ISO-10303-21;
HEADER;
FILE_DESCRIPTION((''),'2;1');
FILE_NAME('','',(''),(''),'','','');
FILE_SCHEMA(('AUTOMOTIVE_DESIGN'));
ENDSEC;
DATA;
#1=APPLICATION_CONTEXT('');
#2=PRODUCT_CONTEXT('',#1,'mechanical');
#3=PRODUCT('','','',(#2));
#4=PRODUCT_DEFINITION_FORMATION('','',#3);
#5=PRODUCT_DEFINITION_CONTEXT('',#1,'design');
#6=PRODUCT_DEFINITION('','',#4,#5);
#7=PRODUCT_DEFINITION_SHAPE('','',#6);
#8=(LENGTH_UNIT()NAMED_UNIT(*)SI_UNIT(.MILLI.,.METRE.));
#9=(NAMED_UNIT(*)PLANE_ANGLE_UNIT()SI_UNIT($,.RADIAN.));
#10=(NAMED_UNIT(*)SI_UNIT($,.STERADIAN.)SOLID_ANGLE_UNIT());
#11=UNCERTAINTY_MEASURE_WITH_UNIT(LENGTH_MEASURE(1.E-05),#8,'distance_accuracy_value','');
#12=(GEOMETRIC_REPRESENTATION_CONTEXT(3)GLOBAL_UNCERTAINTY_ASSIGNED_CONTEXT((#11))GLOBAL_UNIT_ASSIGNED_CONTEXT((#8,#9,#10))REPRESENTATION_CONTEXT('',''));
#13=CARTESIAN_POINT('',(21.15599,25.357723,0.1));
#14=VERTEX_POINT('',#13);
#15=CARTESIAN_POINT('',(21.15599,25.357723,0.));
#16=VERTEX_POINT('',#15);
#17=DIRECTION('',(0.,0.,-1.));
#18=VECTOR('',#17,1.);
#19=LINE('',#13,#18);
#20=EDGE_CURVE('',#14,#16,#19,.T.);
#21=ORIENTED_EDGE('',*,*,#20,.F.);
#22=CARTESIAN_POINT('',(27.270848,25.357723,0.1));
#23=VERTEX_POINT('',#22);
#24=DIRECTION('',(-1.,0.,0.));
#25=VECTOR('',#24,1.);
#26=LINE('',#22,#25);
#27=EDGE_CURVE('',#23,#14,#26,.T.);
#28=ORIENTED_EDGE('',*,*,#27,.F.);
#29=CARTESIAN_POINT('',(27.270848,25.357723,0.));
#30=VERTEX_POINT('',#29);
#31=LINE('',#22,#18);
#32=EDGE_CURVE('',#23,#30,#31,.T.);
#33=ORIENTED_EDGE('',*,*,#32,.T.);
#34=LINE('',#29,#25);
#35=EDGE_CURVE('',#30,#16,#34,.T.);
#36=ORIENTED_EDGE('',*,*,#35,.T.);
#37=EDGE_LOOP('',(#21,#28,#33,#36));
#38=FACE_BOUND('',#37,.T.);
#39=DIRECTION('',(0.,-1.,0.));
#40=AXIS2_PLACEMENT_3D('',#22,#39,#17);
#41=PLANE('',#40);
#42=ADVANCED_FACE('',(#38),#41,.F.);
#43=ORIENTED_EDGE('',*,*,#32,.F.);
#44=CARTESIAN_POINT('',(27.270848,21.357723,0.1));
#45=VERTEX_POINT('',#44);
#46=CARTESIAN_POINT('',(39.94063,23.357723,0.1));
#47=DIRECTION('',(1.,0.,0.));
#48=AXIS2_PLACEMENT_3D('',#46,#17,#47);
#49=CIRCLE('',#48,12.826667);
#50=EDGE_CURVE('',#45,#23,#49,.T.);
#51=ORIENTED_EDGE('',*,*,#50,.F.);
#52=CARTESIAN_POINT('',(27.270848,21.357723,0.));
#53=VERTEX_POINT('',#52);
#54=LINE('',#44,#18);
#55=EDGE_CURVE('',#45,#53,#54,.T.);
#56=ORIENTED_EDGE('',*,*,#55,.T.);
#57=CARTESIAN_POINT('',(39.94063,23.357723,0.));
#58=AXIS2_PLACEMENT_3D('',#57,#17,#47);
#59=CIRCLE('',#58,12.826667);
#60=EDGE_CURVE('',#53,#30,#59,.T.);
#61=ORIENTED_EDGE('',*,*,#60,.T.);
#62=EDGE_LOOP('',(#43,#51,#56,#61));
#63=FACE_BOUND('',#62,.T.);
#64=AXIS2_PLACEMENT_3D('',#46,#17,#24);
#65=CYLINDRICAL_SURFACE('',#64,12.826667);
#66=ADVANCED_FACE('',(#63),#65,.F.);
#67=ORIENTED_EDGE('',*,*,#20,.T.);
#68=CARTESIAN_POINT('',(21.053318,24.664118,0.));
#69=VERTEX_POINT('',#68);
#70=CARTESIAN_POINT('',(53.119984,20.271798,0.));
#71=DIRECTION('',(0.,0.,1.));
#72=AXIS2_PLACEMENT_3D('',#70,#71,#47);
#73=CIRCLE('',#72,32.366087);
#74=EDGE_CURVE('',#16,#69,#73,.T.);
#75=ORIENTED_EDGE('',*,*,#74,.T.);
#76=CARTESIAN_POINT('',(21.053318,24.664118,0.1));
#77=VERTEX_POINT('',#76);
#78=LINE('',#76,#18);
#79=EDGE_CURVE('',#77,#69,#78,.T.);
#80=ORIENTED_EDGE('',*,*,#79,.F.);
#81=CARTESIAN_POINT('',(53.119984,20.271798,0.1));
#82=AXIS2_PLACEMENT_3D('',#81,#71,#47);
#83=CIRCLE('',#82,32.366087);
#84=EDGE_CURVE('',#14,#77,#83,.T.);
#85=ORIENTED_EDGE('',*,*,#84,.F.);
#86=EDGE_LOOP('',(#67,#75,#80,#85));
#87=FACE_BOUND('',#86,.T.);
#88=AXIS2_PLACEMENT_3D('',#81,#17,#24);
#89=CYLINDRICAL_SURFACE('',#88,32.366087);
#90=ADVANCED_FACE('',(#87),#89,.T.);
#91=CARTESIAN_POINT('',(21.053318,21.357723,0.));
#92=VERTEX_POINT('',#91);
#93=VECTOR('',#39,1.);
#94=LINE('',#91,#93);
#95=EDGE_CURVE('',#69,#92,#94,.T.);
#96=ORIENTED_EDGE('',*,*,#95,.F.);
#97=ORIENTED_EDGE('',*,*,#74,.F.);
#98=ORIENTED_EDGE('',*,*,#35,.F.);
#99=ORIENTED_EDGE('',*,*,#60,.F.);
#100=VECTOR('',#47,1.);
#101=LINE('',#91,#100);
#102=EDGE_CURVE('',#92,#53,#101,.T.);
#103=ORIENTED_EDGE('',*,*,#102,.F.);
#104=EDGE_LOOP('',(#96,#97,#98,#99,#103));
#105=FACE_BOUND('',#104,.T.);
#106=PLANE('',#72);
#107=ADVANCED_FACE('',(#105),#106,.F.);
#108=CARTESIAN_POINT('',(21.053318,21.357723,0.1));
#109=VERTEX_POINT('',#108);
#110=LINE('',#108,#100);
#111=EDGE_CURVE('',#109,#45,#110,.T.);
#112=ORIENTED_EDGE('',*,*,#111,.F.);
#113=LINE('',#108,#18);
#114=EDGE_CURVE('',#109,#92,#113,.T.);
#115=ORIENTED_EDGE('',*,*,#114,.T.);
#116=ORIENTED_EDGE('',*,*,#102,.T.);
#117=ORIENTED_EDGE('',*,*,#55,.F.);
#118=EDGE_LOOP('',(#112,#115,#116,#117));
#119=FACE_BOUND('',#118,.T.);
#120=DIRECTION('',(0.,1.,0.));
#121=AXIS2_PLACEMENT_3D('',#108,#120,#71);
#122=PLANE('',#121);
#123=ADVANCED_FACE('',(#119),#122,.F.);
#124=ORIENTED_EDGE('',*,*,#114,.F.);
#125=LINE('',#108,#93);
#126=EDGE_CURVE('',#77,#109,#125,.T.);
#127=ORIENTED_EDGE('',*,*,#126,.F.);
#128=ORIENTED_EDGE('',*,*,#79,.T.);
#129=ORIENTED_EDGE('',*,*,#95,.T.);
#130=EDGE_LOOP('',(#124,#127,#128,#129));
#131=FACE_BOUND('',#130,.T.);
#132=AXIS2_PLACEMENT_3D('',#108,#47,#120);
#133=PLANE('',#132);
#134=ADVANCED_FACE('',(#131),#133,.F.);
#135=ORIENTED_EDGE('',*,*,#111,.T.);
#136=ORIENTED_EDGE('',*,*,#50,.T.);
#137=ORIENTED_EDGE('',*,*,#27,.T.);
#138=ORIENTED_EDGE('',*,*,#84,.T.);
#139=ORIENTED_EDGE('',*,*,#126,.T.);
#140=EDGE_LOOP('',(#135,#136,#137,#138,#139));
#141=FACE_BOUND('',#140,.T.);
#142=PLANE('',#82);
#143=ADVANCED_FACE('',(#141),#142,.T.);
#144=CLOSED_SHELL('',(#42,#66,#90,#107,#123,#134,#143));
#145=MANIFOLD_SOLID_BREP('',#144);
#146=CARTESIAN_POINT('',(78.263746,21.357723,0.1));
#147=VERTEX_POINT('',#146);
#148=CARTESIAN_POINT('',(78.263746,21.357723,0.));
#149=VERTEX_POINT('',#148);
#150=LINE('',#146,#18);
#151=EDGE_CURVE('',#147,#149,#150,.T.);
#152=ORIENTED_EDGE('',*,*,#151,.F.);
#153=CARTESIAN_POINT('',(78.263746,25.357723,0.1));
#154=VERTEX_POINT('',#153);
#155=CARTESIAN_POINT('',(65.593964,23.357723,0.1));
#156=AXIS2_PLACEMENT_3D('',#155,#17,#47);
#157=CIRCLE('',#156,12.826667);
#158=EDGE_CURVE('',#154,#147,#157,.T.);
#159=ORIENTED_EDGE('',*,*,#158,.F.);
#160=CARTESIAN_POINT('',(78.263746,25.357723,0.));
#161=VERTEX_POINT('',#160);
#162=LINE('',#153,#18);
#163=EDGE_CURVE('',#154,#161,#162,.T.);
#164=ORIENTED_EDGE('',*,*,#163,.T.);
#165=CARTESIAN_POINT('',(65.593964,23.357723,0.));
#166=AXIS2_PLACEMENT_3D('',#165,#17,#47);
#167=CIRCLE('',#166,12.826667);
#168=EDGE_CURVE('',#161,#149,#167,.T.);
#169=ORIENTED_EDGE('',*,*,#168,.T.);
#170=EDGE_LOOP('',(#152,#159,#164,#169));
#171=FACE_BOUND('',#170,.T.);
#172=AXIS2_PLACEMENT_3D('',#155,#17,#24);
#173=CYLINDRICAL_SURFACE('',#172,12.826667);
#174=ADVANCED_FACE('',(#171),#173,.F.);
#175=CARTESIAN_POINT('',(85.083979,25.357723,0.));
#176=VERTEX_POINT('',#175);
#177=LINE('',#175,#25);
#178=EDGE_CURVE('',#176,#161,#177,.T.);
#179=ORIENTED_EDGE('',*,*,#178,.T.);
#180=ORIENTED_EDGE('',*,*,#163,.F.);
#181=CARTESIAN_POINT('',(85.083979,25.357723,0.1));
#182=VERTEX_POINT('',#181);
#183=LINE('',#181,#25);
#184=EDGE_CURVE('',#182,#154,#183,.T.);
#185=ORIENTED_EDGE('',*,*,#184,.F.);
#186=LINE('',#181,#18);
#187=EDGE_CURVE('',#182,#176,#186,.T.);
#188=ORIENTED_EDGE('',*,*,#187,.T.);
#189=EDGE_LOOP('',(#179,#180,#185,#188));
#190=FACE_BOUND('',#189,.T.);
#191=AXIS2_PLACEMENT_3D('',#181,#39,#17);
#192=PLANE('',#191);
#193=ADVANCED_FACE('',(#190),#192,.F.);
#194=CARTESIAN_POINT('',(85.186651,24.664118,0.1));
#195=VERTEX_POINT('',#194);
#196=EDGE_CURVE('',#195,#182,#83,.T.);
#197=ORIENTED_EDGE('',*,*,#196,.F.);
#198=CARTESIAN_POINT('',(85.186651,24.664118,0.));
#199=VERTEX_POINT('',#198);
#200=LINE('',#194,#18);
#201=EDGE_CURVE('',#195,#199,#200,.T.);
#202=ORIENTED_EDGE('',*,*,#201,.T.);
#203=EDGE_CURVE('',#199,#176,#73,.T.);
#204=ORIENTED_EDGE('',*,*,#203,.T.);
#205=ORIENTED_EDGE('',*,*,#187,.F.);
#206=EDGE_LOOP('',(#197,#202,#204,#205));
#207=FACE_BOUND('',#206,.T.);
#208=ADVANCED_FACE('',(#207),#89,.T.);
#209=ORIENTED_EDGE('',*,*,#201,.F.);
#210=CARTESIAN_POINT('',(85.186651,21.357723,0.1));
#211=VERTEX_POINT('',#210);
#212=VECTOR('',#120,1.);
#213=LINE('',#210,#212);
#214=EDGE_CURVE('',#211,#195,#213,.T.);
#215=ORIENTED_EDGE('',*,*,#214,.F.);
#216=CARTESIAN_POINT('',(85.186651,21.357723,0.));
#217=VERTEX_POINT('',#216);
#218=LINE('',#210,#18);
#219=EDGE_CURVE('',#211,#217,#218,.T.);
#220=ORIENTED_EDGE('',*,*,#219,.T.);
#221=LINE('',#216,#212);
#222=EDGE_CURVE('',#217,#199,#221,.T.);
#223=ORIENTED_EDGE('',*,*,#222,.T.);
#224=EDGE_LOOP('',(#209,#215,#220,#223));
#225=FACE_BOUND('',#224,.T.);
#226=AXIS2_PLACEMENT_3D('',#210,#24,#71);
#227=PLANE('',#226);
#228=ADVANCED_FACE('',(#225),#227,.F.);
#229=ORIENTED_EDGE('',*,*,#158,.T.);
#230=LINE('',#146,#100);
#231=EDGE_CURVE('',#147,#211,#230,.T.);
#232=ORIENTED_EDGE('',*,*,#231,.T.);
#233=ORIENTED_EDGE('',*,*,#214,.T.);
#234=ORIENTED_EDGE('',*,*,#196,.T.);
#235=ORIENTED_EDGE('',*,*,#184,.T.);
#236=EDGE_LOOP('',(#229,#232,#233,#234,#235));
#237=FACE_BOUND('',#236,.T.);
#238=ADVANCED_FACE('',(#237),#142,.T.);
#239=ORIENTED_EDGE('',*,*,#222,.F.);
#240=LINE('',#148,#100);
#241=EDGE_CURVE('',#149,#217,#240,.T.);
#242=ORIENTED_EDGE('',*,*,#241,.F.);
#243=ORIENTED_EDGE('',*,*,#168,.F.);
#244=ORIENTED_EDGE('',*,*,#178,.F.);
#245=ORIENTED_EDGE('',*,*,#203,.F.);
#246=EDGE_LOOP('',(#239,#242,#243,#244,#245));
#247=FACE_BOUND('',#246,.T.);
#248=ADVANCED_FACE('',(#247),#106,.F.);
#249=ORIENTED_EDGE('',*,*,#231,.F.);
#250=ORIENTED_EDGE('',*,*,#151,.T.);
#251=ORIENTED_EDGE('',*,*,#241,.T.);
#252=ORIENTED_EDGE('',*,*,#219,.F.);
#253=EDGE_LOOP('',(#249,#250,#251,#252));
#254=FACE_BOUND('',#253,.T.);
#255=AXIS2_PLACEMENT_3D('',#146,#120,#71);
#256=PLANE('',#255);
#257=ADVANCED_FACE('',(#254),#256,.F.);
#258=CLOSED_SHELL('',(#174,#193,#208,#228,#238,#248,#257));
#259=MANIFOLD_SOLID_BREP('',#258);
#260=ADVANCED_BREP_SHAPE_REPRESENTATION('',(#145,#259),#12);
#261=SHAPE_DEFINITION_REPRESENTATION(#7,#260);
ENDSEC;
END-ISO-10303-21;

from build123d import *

# Parameters (mm, degrees)
SALIENTE_EXTRUIR1_DEPTH   = 0.1
SALIENTE_EXTRUIR1_2_DEPTH = 0.1


with BuildPart() as part:
    # Model → Saliente-Extruir1 (new body)
    with BuildSketch(Plane.XY):
        with BuildLine():
            Line((85.186650916, 21.357722957), (85.186650916, 24.664118021))
            ThreePointArc((85.186650916, 24.664118021), (85.137193195, 25.011198527), (85.083978887, 25.357722957))
            Line((85.083978887, 25.357722957), (78.263745687, 25.357722957))
            ThreePointArc((78.263745687, 25.357722957), (78.420630281, 23.357722957), (78.263745687, 21.357722957))
            Line((78.263745687, 21.357722957), (85.186650916, 21.357722957))
        make_face()
    extrude(amount=SALIENTE_EXTRUIR1_DEPTH)


with BuildPart() as body_2:
    # Model → Saliente-Extruir1 2 (new body)
    with BuildSketch(Plane.XY):
        with BuildLine():
            Line((27.270848208, 25.357722957), (21.155989611, 25.357722957))
            ThreePointArc((21.155989611, 25.357722957), (21.102775302, 25.011198527), (21.053317582, 24.664118021))
            Line((21.053317582, 24.664118021), (21.053317582, 21.357722957))
            Line((21.053317582, 21.357722957), (27.270848208, 21.357722957))
            ThreePointArc((27.270848208, 21.357722957), (27.113963614, 23.357722957), (27.270848208, 25.357722957))
        make_face()
    extrude(amount=SALIENTE_EXTRUIR1_2_DEPTH)


solid = Compound([part.part, body_2.part])
